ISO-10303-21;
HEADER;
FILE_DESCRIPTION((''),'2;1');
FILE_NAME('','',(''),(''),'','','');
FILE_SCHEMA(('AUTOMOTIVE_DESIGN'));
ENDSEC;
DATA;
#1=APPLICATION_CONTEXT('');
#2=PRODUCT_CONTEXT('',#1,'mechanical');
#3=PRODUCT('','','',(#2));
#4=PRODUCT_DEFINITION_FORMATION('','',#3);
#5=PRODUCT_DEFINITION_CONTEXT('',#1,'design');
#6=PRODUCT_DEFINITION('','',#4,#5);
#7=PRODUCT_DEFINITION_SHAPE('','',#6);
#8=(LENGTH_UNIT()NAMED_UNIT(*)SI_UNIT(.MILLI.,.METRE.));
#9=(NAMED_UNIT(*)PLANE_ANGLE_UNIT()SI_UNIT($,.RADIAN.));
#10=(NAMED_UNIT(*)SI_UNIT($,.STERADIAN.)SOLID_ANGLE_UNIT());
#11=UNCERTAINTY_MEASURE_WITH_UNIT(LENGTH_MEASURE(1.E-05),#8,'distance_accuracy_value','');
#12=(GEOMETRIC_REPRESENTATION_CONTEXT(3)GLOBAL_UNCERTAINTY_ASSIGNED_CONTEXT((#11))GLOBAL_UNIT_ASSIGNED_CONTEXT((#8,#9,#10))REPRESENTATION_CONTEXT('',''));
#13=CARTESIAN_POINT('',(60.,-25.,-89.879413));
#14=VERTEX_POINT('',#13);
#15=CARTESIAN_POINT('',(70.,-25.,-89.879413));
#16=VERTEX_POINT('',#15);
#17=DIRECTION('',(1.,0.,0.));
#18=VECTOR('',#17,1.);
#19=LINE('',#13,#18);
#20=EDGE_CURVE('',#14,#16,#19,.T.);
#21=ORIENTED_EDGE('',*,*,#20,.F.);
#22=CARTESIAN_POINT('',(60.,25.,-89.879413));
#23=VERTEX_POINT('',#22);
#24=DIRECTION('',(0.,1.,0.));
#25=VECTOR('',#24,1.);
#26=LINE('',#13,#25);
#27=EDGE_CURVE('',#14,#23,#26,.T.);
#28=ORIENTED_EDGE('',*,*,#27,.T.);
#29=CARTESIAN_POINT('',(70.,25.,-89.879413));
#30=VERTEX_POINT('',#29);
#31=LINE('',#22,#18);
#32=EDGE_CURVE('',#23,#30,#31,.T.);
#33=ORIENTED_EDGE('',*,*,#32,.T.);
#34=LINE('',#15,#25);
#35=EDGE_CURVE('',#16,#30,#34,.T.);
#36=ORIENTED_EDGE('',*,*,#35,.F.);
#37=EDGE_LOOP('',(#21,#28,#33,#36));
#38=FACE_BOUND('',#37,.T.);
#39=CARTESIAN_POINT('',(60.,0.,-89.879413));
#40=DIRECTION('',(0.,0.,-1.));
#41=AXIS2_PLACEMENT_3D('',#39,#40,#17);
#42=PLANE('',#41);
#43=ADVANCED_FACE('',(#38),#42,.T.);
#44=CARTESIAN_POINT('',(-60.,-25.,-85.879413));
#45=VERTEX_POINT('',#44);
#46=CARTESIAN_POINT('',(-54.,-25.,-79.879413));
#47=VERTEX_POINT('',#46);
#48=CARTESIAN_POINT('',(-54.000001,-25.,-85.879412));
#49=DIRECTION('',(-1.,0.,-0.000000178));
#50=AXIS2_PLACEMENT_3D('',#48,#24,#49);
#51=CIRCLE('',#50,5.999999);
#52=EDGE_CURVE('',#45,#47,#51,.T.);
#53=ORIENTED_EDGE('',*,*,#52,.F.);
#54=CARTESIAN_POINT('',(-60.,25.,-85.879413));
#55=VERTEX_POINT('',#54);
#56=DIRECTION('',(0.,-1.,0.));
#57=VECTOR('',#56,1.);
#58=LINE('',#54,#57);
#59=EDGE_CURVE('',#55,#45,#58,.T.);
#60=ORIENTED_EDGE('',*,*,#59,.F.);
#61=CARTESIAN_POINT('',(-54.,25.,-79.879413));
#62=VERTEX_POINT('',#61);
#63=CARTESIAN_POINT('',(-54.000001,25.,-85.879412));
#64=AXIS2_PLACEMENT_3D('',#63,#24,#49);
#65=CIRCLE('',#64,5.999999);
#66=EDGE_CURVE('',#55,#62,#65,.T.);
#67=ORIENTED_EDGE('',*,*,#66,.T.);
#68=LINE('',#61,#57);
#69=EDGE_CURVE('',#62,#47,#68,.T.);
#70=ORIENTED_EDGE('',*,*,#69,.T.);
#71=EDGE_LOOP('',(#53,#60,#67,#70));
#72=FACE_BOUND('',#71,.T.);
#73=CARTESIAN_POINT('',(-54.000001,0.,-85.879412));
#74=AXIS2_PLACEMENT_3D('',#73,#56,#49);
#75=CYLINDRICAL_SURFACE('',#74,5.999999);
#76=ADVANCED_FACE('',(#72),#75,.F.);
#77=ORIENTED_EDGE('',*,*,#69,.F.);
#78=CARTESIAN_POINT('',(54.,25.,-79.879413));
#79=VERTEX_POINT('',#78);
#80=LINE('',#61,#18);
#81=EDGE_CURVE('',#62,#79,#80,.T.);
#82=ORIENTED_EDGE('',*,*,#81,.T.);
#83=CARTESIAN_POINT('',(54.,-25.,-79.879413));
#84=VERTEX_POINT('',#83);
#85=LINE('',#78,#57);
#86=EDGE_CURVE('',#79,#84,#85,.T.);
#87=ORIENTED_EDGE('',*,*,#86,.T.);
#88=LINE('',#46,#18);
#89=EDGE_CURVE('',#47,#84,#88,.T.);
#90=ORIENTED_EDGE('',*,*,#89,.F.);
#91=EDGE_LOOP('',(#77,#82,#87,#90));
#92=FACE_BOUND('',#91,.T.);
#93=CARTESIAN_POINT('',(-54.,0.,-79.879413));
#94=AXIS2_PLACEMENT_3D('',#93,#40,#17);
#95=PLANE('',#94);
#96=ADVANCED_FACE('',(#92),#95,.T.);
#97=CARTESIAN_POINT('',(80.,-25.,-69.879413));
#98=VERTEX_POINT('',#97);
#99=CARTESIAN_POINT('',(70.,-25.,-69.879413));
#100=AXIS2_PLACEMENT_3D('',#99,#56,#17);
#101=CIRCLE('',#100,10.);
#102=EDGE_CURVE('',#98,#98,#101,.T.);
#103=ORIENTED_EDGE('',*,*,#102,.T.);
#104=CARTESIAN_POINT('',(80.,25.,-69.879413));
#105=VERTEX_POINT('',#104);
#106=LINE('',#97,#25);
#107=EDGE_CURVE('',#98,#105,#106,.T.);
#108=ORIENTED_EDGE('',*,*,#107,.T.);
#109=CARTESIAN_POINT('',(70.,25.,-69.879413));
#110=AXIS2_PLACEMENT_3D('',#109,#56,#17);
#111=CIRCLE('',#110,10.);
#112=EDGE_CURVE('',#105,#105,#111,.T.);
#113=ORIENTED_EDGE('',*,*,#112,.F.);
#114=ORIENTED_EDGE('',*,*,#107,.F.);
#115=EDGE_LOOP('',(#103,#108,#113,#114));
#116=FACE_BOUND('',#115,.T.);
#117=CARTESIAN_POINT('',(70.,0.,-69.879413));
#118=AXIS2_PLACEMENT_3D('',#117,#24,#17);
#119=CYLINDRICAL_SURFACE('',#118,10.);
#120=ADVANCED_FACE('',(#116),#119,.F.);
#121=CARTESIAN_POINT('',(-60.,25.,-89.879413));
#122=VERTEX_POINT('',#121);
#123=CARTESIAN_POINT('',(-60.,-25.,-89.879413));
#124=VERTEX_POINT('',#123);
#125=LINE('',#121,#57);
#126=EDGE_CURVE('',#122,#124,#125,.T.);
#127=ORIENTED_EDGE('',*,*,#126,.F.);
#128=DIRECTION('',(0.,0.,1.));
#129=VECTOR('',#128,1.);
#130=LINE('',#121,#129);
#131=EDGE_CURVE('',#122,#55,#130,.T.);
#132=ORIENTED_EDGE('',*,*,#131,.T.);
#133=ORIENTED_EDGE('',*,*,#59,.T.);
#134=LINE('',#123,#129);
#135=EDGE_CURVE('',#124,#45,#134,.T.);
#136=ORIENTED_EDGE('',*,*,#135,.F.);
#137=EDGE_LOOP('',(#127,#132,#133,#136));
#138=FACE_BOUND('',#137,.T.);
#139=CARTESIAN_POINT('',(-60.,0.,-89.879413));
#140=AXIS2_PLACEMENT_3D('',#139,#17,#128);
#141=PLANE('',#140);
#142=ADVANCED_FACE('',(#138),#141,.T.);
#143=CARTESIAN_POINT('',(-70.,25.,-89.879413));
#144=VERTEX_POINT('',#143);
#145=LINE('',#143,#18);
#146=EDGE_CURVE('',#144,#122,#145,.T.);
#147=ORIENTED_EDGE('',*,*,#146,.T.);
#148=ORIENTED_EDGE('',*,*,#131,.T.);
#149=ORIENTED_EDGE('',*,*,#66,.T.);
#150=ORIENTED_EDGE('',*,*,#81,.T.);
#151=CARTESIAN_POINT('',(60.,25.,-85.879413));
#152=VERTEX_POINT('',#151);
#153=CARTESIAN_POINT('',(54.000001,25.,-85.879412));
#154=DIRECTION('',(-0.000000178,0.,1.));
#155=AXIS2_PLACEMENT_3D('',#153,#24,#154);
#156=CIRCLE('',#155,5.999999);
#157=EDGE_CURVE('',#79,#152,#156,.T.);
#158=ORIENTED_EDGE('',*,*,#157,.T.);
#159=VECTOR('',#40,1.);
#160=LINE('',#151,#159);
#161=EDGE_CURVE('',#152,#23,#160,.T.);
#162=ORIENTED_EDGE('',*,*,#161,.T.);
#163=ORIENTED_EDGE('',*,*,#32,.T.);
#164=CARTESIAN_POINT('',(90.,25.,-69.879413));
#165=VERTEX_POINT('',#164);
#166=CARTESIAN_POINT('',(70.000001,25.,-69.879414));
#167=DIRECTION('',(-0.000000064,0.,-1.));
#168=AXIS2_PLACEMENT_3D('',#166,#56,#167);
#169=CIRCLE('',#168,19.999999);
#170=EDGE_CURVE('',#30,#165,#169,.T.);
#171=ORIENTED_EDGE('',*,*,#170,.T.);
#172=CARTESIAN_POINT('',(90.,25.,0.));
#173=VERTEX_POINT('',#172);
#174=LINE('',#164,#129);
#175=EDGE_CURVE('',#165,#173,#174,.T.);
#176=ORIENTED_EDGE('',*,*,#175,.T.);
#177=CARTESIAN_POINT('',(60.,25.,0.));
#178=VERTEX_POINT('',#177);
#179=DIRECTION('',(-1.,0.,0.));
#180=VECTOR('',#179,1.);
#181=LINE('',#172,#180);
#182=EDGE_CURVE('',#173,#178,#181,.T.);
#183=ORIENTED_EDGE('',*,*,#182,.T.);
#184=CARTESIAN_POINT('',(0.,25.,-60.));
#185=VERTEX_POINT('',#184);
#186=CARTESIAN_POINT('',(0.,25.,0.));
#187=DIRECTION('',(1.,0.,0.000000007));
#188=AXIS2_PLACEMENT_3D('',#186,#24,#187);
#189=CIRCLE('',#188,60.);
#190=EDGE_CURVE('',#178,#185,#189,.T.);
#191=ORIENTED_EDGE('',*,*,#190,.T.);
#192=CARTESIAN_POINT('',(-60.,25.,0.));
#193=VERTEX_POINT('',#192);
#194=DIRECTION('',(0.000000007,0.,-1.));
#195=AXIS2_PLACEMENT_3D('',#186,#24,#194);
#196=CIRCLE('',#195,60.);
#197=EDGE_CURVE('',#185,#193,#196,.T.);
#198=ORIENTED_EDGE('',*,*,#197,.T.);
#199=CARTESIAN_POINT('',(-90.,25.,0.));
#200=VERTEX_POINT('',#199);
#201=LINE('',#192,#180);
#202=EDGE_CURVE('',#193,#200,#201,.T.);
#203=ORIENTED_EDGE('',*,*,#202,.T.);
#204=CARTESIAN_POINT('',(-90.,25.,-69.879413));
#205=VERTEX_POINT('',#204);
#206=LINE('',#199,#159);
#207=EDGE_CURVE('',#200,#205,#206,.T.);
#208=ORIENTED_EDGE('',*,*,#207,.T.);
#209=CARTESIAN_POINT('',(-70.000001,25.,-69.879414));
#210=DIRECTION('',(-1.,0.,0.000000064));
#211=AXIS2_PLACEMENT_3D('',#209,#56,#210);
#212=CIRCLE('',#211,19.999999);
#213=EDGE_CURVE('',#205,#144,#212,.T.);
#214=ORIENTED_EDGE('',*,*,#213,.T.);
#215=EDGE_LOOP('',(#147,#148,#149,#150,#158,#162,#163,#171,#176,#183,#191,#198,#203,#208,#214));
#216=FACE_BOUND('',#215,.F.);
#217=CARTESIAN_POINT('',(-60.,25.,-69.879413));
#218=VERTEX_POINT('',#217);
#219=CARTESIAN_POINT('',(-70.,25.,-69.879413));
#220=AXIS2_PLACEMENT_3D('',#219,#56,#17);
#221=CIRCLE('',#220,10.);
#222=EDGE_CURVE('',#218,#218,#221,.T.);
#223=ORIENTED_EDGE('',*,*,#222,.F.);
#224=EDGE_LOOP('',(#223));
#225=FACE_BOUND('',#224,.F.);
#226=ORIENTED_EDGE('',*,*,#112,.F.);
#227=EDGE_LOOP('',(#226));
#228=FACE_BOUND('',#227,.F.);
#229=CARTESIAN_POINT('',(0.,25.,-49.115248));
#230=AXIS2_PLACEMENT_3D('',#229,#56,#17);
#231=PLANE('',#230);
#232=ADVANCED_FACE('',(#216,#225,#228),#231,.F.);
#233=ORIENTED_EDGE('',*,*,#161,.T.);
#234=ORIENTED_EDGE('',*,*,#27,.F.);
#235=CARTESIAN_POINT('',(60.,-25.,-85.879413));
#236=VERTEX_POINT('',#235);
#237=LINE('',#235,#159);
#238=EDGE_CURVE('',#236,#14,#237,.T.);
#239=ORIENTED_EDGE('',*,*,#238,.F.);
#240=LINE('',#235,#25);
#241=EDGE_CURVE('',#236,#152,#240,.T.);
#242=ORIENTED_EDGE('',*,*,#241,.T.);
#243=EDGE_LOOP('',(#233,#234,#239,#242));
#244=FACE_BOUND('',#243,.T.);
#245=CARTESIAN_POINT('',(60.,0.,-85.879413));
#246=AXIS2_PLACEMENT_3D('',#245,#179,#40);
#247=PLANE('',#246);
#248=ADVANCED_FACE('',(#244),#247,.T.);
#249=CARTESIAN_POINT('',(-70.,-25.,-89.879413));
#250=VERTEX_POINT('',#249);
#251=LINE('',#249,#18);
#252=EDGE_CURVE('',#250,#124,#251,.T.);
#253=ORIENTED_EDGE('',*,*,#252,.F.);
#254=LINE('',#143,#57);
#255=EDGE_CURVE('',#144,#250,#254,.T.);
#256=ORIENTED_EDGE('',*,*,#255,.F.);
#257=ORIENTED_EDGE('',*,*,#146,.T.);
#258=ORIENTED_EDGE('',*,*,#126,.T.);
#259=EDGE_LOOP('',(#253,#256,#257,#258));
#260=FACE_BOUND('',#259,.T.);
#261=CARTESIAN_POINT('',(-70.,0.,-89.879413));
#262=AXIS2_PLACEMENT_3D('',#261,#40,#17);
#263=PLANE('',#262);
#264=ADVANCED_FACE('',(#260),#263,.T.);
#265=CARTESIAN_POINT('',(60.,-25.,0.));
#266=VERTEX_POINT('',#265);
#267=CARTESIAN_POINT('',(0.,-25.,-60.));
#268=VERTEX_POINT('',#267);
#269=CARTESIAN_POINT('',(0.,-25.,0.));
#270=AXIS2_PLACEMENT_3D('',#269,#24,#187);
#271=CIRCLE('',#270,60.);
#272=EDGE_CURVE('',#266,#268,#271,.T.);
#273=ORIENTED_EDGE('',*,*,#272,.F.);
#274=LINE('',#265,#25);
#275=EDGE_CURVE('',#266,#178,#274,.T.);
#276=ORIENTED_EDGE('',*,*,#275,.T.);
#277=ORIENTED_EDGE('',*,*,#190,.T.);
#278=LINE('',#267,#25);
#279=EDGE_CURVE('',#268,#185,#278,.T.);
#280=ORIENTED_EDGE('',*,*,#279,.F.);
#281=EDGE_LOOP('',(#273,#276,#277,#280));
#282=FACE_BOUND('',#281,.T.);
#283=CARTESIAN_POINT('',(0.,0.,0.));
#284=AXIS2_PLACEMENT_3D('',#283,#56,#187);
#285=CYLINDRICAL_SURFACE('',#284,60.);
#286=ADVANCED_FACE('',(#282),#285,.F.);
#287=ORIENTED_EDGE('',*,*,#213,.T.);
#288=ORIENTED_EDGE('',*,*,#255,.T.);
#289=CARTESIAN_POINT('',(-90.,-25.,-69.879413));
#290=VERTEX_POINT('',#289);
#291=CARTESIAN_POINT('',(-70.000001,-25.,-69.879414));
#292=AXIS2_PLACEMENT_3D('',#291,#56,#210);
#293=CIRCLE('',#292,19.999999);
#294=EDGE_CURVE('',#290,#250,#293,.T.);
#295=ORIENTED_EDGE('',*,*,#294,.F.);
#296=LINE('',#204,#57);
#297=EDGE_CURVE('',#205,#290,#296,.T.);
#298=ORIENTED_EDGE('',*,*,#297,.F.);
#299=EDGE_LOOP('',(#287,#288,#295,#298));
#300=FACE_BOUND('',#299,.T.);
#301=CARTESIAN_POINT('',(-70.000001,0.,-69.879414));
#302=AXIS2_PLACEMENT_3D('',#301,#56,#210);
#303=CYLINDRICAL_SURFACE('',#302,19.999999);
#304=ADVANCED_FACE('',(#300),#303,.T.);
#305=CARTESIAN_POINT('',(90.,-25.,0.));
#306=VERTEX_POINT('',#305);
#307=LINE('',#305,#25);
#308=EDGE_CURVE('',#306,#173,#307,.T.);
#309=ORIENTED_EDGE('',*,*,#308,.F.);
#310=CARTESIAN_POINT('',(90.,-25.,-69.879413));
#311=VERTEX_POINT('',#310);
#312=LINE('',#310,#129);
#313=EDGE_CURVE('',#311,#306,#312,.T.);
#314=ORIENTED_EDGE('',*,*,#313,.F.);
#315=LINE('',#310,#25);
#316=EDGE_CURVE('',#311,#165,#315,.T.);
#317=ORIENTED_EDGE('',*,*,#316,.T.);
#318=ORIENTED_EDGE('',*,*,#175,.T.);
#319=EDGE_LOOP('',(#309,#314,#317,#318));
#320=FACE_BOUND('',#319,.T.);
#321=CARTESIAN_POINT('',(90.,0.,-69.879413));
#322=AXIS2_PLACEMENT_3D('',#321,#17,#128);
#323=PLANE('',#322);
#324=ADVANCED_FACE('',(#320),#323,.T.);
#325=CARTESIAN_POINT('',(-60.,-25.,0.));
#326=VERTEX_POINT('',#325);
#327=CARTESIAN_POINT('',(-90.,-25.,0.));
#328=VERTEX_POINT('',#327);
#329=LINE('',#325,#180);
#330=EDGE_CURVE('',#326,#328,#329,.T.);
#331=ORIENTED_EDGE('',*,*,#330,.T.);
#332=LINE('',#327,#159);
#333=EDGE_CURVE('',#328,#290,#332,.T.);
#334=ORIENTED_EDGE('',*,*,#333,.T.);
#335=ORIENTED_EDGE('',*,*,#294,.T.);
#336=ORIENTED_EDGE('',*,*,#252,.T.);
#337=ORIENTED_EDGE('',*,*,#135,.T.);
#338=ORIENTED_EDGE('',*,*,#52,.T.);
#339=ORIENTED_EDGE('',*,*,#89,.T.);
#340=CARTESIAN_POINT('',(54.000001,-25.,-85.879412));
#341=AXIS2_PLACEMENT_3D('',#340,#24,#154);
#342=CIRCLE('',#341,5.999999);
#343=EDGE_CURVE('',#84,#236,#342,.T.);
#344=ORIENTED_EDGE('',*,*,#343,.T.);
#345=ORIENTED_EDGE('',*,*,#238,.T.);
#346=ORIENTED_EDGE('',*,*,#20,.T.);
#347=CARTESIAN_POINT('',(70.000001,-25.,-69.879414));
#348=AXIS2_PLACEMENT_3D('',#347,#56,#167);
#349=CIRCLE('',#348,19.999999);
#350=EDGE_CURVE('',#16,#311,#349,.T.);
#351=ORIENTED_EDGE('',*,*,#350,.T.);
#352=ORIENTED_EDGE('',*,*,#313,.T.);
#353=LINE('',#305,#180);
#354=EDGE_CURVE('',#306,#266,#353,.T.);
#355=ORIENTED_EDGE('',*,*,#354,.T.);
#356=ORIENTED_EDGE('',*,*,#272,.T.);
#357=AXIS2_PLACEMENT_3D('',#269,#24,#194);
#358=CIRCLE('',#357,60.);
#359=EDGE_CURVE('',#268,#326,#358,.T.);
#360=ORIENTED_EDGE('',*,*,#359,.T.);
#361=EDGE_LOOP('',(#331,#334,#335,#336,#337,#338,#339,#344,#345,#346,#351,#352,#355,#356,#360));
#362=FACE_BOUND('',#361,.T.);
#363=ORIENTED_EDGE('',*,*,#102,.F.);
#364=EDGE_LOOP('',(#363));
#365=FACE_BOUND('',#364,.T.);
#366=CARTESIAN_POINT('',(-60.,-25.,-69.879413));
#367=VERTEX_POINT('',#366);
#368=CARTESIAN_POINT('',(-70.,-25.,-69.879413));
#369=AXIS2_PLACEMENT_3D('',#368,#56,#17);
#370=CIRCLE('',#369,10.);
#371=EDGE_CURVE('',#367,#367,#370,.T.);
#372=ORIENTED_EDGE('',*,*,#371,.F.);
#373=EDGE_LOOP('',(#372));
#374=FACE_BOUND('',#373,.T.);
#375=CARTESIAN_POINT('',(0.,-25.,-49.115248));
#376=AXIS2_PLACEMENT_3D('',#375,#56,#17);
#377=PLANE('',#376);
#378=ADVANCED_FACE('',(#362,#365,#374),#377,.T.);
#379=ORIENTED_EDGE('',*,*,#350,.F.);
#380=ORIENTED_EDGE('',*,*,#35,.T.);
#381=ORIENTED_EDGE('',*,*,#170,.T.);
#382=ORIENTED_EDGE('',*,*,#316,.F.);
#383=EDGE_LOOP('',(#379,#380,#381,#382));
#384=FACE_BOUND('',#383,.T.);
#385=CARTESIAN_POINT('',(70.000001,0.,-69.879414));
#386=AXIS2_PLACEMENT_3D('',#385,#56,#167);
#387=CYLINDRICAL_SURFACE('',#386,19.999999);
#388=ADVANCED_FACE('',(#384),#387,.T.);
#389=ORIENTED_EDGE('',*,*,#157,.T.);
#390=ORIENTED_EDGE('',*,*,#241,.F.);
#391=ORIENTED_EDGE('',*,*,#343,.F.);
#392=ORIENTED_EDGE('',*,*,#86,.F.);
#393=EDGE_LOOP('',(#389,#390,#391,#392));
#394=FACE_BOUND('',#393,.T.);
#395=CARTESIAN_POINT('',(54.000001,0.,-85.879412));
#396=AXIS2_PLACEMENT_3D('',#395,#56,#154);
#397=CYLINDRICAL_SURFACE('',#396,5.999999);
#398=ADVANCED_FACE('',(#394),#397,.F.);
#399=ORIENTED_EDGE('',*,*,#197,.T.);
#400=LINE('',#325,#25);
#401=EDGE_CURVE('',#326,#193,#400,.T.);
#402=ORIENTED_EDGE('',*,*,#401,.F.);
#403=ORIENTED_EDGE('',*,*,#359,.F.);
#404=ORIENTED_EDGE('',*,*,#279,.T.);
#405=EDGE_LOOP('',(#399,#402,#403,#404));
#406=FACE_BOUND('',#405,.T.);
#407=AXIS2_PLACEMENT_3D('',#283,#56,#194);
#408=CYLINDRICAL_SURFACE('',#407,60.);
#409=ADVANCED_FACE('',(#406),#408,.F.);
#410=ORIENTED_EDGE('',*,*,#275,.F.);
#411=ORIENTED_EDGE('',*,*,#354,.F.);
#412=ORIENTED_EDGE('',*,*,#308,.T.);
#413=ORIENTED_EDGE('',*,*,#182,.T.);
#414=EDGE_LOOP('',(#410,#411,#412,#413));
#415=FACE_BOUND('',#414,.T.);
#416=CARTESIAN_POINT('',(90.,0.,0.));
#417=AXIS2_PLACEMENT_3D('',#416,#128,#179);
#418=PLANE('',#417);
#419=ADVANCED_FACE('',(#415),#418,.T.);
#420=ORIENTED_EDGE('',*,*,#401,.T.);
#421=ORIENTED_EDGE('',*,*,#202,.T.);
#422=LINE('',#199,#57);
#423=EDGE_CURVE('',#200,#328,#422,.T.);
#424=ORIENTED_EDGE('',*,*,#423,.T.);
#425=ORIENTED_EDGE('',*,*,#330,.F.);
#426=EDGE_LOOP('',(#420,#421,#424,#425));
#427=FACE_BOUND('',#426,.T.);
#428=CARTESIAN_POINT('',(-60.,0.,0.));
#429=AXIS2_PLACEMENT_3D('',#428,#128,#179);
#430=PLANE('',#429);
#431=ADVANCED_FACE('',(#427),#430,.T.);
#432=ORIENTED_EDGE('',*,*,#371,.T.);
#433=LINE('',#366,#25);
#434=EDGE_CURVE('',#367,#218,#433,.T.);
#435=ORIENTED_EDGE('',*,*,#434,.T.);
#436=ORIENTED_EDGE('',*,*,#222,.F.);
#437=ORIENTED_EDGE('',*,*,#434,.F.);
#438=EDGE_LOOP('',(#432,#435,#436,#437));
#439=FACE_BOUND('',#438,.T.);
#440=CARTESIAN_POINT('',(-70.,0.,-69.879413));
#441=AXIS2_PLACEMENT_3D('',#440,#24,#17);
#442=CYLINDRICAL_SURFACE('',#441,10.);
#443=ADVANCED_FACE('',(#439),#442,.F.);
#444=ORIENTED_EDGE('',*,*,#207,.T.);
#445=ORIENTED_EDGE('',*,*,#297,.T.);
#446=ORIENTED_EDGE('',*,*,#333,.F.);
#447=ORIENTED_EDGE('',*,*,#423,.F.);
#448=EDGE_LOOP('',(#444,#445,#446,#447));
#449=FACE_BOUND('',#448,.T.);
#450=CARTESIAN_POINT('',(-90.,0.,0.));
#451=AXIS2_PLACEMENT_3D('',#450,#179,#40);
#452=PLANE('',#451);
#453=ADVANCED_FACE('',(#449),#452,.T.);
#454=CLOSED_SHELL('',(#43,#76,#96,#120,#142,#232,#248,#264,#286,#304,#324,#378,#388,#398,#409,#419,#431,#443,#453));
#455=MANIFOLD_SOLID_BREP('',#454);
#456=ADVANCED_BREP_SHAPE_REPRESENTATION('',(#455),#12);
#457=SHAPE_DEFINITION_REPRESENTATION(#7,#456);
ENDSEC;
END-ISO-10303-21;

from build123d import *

# Parameters (mm, degrees)
F0_R     = 10
F1_DEPTH = 25


with BuildPart() as f1:
    # F0 (on Front) → F1 (new body, symmetric)
    with BuildSketch(Plane.XZ):
        with BuildLine():
            Line((-60, 0), (-90, 0))
            Line((-90, 0), (-90, -69.879413))
            ThreePointArc((-90, -69.879413), (-84.142136, -84.021549), (-70, -89.879413))
            Line((-70, -89.879413), (-60, -89.879413))
            Line((-60, -89.879413), (-60, -85.879413))
            ThreePointArc((-60, -85.879413), (-58.242641, -81.636772), (-54, -79.879413))
            Line((-54, -79.879413), (0, -79.879413))
            Line((0, -79.879413), (54, -79.879413))
            ThreePointArc((54, -79.879413), (58.242641, -81.636772), (60, -85.879413))
            Line((60, -85.879413), (60, -89.879413))
            Line((60, -89.879413), (70, -89.879413))
            ThreePointArc((70, -89.879413), (84.142136, -84.021549), (90, -69.879413))
            Line((90, -69.879413), (90, 0))
            Line((90, 0), (60, 0))
            ThreePointArc((60, 0), (42.426407, -42.426407), (0, -60))
            ThreePointArc((0, -60), (-42.426407, -42.426407), (-60, 0))
        make_face()
        with Locations((-70, -69.879413)):
            Circle(F0_R, mode=Mode.SUBTRACT)
        with Locations((70, -69.879413)):
            Circle(F0_R, mode=Mode.SUBTRACT)
    extrude(amount=F1_DEPTH, both=True)


solid = f1.part
